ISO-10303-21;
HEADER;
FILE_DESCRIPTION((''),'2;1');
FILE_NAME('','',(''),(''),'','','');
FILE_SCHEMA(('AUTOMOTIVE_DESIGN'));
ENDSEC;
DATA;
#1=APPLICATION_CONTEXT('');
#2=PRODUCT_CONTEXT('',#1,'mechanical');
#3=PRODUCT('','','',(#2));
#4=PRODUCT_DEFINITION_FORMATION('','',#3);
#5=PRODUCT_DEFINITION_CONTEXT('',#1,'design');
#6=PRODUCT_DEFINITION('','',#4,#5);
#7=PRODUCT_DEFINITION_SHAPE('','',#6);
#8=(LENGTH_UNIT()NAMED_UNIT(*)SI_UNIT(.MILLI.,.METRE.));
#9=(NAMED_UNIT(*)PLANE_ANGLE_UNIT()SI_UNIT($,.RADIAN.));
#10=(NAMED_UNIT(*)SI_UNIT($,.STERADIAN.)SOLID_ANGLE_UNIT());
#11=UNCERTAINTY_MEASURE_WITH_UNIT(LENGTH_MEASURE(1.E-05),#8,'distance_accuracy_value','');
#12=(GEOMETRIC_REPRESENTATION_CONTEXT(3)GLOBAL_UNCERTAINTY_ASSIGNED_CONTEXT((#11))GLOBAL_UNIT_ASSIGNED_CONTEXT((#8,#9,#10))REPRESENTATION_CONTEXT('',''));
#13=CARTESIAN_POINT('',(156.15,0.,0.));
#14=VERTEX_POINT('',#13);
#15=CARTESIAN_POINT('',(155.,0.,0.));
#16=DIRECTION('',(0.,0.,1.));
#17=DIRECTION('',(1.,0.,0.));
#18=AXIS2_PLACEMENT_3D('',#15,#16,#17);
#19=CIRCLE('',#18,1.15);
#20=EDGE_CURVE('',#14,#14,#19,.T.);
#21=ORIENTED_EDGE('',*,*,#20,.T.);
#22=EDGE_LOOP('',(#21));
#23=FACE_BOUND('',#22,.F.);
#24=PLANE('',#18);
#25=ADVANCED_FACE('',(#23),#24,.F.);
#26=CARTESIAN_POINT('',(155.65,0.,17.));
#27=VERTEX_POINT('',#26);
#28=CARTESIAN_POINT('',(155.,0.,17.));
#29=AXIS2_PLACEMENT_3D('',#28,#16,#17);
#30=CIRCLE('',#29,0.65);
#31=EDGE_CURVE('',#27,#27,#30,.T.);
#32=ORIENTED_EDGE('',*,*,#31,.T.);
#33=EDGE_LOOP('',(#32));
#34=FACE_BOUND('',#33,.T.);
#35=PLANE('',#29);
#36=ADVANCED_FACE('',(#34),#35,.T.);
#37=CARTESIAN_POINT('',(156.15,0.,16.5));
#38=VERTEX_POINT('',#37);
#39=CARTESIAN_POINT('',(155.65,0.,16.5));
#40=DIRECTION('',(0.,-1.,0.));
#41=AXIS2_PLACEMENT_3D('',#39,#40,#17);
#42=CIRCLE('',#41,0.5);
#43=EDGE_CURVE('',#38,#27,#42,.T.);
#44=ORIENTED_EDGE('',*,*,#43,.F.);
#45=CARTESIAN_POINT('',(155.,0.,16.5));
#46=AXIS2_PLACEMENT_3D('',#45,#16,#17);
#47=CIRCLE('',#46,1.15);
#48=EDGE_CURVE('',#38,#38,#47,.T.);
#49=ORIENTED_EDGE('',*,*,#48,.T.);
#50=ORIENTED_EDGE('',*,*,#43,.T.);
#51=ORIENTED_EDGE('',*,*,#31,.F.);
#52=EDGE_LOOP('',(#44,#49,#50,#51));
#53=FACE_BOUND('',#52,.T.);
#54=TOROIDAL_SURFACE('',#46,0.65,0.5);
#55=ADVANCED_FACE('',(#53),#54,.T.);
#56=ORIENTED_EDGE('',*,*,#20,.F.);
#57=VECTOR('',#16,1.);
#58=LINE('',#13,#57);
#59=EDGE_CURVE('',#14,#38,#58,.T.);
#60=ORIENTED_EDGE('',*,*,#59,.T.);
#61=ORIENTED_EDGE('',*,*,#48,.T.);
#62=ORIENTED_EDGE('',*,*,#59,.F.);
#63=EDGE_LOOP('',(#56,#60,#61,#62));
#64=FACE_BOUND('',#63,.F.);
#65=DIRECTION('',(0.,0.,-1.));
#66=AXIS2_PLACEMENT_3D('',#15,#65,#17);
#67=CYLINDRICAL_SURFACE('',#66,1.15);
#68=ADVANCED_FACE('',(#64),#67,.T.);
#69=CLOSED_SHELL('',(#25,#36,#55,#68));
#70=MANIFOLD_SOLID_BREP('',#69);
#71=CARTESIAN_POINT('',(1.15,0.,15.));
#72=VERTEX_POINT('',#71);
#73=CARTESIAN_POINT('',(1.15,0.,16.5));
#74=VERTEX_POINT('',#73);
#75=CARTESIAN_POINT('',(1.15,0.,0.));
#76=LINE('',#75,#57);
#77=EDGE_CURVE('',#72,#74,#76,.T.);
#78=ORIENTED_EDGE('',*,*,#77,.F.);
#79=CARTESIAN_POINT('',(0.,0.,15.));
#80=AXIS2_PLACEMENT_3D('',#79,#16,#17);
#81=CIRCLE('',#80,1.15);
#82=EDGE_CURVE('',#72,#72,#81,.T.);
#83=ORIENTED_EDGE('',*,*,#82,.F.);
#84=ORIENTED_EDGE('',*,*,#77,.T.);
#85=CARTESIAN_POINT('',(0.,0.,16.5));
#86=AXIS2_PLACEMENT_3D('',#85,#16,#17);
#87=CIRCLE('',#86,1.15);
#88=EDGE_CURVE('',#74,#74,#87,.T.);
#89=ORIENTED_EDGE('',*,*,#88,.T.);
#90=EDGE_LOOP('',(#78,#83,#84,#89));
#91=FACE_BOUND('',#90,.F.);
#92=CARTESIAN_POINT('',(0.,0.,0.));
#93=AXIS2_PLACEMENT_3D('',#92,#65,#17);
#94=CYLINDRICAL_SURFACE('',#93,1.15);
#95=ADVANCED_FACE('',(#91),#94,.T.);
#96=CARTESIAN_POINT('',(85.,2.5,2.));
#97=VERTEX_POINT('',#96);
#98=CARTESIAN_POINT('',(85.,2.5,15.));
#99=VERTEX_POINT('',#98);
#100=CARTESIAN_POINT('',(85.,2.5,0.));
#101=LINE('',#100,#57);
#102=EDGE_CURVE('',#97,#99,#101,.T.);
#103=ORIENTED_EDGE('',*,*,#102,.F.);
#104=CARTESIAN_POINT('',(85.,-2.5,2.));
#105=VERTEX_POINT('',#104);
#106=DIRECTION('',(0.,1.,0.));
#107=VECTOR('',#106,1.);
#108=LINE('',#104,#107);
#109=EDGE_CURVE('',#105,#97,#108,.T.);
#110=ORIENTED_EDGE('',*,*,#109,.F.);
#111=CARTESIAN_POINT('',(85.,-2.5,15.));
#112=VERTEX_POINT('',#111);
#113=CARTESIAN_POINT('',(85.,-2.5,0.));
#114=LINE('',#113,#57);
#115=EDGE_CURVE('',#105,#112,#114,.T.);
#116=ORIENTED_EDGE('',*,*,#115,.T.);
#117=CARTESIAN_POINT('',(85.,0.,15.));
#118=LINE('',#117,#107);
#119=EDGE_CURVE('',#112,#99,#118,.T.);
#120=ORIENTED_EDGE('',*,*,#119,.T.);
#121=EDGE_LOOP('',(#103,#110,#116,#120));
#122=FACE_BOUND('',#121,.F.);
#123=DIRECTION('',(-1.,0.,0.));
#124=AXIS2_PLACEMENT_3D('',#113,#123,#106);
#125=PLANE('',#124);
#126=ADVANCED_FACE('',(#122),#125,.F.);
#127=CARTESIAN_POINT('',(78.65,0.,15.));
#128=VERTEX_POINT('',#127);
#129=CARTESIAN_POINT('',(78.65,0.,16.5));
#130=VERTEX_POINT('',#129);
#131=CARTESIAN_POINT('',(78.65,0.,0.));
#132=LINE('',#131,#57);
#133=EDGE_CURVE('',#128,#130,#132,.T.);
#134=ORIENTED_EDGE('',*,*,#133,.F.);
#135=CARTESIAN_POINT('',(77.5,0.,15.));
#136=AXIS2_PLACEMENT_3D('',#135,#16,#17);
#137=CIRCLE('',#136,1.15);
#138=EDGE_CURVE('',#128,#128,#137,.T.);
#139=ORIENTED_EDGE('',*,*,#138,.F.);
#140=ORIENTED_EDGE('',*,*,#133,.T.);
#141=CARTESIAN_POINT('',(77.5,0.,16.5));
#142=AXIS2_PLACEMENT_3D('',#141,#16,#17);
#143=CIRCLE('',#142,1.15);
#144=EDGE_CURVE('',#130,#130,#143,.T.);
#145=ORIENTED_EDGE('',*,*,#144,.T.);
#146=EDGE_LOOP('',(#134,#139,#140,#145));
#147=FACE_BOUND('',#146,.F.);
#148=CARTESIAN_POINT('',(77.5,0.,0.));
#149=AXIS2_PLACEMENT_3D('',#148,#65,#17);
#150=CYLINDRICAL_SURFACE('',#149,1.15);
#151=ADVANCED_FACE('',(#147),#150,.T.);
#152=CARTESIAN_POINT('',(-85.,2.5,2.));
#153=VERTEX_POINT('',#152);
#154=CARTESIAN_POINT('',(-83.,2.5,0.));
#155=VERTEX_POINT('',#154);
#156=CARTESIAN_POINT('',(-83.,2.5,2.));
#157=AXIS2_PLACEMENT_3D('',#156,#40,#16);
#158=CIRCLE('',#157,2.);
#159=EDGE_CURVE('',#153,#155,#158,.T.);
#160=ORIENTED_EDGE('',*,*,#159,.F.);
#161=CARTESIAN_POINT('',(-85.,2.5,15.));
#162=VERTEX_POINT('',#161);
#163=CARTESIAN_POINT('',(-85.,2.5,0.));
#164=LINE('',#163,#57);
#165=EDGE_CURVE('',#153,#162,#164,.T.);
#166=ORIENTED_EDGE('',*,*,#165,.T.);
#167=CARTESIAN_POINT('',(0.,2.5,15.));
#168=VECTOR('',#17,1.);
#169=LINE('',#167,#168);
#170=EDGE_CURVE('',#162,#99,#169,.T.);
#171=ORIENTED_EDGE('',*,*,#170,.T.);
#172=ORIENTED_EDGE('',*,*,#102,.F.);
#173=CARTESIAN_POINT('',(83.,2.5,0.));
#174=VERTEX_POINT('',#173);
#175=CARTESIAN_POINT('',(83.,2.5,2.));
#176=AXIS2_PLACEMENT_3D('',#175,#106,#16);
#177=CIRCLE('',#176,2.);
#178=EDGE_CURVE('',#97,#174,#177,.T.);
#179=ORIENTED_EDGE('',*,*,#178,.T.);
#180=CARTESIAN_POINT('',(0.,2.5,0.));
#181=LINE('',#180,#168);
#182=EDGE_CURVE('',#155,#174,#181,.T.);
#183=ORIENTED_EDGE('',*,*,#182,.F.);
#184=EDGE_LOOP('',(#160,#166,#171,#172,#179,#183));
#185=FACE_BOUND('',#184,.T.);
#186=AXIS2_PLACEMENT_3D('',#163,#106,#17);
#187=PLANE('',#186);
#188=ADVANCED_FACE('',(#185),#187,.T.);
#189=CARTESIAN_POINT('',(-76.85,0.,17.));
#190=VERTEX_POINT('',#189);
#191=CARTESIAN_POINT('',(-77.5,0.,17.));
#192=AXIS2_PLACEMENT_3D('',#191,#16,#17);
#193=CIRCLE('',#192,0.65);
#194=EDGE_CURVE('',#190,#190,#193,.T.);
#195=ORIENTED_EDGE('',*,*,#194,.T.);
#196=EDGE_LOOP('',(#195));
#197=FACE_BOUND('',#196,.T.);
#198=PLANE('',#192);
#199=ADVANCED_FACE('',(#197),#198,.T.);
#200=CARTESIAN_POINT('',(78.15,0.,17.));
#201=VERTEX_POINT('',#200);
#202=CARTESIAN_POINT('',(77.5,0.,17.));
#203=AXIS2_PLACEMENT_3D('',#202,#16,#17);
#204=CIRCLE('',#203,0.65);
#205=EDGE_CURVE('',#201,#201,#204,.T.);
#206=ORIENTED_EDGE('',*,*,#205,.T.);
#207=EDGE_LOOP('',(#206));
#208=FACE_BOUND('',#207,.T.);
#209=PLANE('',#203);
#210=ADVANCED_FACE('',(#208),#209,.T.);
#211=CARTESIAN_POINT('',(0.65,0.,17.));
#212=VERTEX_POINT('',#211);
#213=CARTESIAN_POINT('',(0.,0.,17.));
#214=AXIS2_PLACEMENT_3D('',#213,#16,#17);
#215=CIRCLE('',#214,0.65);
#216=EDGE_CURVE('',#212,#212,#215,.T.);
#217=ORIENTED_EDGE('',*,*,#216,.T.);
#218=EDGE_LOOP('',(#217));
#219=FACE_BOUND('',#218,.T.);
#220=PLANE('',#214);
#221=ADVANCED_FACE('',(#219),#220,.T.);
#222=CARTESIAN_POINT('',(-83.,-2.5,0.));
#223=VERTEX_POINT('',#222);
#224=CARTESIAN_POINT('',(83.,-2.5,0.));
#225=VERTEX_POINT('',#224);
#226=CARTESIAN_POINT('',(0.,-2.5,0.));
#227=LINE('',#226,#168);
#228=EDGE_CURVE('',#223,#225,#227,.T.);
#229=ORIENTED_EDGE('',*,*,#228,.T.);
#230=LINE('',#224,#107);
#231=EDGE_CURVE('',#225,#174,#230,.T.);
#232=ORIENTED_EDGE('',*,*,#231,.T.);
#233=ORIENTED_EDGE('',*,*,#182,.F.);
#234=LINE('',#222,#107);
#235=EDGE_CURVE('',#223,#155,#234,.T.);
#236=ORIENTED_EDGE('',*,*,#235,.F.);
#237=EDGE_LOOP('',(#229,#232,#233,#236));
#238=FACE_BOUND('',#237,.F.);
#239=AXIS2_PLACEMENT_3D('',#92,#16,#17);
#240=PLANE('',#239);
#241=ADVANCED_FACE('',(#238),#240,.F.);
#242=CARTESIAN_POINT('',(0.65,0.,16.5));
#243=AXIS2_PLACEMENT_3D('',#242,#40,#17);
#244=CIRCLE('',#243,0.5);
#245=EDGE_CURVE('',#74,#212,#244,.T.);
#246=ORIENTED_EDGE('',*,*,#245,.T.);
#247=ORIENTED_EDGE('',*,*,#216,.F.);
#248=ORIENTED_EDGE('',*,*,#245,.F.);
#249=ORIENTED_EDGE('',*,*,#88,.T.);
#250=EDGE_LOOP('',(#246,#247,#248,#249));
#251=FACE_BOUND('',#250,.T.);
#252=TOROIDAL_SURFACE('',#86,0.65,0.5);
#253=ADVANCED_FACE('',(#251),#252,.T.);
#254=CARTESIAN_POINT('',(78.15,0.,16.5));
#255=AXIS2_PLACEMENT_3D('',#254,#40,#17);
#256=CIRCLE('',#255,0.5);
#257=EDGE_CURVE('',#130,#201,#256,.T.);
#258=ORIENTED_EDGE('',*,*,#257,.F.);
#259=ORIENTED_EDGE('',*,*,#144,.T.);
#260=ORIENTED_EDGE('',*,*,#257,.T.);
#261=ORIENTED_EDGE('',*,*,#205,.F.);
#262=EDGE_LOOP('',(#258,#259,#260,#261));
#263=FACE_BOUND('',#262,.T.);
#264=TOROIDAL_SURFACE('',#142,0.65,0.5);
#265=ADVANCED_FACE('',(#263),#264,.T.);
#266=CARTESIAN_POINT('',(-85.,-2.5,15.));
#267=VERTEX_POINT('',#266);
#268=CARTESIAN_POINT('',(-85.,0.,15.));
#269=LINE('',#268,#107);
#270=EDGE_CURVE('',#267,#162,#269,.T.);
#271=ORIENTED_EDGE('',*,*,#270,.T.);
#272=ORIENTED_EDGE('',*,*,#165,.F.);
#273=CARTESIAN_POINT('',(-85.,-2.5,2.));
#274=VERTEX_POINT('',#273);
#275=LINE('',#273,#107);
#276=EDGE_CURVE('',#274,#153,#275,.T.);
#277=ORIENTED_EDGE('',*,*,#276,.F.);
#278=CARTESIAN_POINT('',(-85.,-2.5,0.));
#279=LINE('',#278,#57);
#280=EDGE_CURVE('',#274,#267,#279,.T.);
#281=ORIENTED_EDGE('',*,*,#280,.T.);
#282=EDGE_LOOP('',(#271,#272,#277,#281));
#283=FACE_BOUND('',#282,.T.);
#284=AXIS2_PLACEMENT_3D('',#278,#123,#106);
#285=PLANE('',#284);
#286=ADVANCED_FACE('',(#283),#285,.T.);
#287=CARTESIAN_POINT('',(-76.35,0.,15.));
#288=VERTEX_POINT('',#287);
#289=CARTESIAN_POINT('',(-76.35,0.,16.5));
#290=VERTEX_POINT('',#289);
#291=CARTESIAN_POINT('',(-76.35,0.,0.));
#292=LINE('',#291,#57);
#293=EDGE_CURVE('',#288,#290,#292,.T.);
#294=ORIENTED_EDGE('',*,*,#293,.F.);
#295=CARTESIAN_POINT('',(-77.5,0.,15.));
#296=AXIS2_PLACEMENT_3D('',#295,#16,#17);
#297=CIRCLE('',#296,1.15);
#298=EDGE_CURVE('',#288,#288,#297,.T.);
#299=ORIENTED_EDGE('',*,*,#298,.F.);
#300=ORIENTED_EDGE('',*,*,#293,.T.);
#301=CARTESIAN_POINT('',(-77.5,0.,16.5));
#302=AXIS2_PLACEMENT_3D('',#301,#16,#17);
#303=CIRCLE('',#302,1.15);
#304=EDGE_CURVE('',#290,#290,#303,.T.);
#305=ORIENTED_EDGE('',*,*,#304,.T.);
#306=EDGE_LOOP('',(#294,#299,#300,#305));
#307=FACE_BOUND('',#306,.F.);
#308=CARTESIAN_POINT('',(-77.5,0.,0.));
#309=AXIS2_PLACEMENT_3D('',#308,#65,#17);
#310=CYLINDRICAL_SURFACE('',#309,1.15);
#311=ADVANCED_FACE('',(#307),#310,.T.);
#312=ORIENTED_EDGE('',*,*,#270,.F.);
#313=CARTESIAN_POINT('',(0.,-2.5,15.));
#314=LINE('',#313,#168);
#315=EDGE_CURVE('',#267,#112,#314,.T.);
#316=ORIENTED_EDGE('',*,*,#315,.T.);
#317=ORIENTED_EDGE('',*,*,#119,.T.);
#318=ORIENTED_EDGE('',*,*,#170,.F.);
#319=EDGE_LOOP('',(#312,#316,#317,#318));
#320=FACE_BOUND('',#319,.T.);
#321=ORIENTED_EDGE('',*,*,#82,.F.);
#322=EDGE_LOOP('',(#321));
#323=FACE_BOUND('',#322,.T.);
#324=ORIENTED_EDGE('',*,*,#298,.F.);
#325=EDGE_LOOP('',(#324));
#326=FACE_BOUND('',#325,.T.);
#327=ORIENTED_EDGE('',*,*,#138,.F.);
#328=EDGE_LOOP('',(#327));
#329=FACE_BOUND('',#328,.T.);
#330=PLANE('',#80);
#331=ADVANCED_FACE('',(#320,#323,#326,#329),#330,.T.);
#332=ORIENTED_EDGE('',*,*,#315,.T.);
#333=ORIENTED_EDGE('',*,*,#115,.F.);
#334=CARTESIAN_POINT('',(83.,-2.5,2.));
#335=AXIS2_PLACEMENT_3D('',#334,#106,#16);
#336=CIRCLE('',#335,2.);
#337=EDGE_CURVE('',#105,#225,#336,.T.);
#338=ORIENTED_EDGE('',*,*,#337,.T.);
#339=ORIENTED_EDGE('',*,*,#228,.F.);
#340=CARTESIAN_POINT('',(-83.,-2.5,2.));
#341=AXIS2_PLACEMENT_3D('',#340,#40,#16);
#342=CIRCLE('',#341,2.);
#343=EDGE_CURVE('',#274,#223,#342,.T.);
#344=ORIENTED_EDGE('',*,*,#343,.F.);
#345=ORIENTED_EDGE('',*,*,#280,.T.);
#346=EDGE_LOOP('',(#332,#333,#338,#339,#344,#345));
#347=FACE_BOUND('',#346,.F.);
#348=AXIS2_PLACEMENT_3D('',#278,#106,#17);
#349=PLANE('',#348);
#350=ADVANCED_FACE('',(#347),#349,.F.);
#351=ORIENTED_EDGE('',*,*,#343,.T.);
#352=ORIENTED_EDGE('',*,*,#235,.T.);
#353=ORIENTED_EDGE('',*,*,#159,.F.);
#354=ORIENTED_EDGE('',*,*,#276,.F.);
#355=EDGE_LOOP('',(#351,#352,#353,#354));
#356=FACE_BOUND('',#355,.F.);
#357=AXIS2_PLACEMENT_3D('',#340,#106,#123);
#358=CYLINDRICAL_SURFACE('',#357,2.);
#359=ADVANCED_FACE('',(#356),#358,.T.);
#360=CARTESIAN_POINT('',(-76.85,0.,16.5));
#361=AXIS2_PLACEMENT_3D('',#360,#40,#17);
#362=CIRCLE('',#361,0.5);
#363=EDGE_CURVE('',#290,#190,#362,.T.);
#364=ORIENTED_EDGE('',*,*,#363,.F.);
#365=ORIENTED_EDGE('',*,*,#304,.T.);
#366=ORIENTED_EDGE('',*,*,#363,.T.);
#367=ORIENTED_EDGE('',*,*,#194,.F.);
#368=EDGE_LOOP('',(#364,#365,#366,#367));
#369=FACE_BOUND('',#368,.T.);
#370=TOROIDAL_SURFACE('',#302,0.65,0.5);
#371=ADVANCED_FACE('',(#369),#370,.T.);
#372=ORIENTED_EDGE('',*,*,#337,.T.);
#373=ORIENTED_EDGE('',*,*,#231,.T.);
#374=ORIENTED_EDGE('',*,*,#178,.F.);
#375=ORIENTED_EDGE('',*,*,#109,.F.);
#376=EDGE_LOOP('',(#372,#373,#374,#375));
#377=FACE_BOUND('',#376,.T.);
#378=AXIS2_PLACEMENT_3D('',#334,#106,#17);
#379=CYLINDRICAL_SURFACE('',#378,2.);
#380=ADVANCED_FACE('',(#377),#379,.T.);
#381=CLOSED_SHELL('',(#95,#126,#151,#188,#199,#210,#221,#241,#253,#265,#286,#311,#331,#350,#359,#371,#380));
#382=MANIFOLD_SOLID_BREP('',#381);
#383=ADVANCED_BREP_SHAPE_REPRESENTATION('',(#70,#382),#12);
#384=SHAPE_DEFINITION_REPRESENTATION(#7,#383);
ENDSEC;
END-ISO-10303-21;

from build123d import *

# Parameters (mm, degrees)
F0_W     = 170
F0_H     = 5
F0_R     = 1.15
F1_DEPTH = 15
F2_DEPTH = 17
F3_R     = 0.5
F4_R     = 2


with BuildPart() as f1:
    # F0 (on Top) → F1 (new body)
    with BuildSketch(Plane.XY):
        Rectangle(F0_W, F0_H)
        with Locations((-77.5, 0)):
            Circle(F0_R, mode=Mode.SUBTRACT)
        Circle(F0_R, mode=Mode.SUBTRACT)
        with Locations((77.5, 0)):
            Circle(F0_R, mode=Mode.SUBTRACT)
    extrude(amount=F1_DEPTH)

    # F0 (on Top) → F2 (join)
    with BuildSketch(Plane.XY):
        with Locations((-77.5, 0)):
            Circle(F0_R)
        Circle(F0_R)
        with Locations((77.5, 0)):
            Circle(F0_R)
        with Locations((155, 0)):
            Circle(F0_R)
    extrude(amount=F2_DEPTH)

    # F3
    f3_edges = [f1.edges().sort_by_distance(p)[0] for p in [
        (-78.65, 0, 17),
        (-1.15, 0, 17),
        (76.35, 0, 17),
        (153.85, 0, 17),
    ]]
    fillet(f3_edges, radius=F3_R)

    # F4
    f4_edges = [f1.edges().sort_by_distance(p)[0] for p in [
        (-85, 0, 0),
        (85, 0, 0),
    ]]
    fillet(f4_edges, radius=F4_R)


solid = f1.part
